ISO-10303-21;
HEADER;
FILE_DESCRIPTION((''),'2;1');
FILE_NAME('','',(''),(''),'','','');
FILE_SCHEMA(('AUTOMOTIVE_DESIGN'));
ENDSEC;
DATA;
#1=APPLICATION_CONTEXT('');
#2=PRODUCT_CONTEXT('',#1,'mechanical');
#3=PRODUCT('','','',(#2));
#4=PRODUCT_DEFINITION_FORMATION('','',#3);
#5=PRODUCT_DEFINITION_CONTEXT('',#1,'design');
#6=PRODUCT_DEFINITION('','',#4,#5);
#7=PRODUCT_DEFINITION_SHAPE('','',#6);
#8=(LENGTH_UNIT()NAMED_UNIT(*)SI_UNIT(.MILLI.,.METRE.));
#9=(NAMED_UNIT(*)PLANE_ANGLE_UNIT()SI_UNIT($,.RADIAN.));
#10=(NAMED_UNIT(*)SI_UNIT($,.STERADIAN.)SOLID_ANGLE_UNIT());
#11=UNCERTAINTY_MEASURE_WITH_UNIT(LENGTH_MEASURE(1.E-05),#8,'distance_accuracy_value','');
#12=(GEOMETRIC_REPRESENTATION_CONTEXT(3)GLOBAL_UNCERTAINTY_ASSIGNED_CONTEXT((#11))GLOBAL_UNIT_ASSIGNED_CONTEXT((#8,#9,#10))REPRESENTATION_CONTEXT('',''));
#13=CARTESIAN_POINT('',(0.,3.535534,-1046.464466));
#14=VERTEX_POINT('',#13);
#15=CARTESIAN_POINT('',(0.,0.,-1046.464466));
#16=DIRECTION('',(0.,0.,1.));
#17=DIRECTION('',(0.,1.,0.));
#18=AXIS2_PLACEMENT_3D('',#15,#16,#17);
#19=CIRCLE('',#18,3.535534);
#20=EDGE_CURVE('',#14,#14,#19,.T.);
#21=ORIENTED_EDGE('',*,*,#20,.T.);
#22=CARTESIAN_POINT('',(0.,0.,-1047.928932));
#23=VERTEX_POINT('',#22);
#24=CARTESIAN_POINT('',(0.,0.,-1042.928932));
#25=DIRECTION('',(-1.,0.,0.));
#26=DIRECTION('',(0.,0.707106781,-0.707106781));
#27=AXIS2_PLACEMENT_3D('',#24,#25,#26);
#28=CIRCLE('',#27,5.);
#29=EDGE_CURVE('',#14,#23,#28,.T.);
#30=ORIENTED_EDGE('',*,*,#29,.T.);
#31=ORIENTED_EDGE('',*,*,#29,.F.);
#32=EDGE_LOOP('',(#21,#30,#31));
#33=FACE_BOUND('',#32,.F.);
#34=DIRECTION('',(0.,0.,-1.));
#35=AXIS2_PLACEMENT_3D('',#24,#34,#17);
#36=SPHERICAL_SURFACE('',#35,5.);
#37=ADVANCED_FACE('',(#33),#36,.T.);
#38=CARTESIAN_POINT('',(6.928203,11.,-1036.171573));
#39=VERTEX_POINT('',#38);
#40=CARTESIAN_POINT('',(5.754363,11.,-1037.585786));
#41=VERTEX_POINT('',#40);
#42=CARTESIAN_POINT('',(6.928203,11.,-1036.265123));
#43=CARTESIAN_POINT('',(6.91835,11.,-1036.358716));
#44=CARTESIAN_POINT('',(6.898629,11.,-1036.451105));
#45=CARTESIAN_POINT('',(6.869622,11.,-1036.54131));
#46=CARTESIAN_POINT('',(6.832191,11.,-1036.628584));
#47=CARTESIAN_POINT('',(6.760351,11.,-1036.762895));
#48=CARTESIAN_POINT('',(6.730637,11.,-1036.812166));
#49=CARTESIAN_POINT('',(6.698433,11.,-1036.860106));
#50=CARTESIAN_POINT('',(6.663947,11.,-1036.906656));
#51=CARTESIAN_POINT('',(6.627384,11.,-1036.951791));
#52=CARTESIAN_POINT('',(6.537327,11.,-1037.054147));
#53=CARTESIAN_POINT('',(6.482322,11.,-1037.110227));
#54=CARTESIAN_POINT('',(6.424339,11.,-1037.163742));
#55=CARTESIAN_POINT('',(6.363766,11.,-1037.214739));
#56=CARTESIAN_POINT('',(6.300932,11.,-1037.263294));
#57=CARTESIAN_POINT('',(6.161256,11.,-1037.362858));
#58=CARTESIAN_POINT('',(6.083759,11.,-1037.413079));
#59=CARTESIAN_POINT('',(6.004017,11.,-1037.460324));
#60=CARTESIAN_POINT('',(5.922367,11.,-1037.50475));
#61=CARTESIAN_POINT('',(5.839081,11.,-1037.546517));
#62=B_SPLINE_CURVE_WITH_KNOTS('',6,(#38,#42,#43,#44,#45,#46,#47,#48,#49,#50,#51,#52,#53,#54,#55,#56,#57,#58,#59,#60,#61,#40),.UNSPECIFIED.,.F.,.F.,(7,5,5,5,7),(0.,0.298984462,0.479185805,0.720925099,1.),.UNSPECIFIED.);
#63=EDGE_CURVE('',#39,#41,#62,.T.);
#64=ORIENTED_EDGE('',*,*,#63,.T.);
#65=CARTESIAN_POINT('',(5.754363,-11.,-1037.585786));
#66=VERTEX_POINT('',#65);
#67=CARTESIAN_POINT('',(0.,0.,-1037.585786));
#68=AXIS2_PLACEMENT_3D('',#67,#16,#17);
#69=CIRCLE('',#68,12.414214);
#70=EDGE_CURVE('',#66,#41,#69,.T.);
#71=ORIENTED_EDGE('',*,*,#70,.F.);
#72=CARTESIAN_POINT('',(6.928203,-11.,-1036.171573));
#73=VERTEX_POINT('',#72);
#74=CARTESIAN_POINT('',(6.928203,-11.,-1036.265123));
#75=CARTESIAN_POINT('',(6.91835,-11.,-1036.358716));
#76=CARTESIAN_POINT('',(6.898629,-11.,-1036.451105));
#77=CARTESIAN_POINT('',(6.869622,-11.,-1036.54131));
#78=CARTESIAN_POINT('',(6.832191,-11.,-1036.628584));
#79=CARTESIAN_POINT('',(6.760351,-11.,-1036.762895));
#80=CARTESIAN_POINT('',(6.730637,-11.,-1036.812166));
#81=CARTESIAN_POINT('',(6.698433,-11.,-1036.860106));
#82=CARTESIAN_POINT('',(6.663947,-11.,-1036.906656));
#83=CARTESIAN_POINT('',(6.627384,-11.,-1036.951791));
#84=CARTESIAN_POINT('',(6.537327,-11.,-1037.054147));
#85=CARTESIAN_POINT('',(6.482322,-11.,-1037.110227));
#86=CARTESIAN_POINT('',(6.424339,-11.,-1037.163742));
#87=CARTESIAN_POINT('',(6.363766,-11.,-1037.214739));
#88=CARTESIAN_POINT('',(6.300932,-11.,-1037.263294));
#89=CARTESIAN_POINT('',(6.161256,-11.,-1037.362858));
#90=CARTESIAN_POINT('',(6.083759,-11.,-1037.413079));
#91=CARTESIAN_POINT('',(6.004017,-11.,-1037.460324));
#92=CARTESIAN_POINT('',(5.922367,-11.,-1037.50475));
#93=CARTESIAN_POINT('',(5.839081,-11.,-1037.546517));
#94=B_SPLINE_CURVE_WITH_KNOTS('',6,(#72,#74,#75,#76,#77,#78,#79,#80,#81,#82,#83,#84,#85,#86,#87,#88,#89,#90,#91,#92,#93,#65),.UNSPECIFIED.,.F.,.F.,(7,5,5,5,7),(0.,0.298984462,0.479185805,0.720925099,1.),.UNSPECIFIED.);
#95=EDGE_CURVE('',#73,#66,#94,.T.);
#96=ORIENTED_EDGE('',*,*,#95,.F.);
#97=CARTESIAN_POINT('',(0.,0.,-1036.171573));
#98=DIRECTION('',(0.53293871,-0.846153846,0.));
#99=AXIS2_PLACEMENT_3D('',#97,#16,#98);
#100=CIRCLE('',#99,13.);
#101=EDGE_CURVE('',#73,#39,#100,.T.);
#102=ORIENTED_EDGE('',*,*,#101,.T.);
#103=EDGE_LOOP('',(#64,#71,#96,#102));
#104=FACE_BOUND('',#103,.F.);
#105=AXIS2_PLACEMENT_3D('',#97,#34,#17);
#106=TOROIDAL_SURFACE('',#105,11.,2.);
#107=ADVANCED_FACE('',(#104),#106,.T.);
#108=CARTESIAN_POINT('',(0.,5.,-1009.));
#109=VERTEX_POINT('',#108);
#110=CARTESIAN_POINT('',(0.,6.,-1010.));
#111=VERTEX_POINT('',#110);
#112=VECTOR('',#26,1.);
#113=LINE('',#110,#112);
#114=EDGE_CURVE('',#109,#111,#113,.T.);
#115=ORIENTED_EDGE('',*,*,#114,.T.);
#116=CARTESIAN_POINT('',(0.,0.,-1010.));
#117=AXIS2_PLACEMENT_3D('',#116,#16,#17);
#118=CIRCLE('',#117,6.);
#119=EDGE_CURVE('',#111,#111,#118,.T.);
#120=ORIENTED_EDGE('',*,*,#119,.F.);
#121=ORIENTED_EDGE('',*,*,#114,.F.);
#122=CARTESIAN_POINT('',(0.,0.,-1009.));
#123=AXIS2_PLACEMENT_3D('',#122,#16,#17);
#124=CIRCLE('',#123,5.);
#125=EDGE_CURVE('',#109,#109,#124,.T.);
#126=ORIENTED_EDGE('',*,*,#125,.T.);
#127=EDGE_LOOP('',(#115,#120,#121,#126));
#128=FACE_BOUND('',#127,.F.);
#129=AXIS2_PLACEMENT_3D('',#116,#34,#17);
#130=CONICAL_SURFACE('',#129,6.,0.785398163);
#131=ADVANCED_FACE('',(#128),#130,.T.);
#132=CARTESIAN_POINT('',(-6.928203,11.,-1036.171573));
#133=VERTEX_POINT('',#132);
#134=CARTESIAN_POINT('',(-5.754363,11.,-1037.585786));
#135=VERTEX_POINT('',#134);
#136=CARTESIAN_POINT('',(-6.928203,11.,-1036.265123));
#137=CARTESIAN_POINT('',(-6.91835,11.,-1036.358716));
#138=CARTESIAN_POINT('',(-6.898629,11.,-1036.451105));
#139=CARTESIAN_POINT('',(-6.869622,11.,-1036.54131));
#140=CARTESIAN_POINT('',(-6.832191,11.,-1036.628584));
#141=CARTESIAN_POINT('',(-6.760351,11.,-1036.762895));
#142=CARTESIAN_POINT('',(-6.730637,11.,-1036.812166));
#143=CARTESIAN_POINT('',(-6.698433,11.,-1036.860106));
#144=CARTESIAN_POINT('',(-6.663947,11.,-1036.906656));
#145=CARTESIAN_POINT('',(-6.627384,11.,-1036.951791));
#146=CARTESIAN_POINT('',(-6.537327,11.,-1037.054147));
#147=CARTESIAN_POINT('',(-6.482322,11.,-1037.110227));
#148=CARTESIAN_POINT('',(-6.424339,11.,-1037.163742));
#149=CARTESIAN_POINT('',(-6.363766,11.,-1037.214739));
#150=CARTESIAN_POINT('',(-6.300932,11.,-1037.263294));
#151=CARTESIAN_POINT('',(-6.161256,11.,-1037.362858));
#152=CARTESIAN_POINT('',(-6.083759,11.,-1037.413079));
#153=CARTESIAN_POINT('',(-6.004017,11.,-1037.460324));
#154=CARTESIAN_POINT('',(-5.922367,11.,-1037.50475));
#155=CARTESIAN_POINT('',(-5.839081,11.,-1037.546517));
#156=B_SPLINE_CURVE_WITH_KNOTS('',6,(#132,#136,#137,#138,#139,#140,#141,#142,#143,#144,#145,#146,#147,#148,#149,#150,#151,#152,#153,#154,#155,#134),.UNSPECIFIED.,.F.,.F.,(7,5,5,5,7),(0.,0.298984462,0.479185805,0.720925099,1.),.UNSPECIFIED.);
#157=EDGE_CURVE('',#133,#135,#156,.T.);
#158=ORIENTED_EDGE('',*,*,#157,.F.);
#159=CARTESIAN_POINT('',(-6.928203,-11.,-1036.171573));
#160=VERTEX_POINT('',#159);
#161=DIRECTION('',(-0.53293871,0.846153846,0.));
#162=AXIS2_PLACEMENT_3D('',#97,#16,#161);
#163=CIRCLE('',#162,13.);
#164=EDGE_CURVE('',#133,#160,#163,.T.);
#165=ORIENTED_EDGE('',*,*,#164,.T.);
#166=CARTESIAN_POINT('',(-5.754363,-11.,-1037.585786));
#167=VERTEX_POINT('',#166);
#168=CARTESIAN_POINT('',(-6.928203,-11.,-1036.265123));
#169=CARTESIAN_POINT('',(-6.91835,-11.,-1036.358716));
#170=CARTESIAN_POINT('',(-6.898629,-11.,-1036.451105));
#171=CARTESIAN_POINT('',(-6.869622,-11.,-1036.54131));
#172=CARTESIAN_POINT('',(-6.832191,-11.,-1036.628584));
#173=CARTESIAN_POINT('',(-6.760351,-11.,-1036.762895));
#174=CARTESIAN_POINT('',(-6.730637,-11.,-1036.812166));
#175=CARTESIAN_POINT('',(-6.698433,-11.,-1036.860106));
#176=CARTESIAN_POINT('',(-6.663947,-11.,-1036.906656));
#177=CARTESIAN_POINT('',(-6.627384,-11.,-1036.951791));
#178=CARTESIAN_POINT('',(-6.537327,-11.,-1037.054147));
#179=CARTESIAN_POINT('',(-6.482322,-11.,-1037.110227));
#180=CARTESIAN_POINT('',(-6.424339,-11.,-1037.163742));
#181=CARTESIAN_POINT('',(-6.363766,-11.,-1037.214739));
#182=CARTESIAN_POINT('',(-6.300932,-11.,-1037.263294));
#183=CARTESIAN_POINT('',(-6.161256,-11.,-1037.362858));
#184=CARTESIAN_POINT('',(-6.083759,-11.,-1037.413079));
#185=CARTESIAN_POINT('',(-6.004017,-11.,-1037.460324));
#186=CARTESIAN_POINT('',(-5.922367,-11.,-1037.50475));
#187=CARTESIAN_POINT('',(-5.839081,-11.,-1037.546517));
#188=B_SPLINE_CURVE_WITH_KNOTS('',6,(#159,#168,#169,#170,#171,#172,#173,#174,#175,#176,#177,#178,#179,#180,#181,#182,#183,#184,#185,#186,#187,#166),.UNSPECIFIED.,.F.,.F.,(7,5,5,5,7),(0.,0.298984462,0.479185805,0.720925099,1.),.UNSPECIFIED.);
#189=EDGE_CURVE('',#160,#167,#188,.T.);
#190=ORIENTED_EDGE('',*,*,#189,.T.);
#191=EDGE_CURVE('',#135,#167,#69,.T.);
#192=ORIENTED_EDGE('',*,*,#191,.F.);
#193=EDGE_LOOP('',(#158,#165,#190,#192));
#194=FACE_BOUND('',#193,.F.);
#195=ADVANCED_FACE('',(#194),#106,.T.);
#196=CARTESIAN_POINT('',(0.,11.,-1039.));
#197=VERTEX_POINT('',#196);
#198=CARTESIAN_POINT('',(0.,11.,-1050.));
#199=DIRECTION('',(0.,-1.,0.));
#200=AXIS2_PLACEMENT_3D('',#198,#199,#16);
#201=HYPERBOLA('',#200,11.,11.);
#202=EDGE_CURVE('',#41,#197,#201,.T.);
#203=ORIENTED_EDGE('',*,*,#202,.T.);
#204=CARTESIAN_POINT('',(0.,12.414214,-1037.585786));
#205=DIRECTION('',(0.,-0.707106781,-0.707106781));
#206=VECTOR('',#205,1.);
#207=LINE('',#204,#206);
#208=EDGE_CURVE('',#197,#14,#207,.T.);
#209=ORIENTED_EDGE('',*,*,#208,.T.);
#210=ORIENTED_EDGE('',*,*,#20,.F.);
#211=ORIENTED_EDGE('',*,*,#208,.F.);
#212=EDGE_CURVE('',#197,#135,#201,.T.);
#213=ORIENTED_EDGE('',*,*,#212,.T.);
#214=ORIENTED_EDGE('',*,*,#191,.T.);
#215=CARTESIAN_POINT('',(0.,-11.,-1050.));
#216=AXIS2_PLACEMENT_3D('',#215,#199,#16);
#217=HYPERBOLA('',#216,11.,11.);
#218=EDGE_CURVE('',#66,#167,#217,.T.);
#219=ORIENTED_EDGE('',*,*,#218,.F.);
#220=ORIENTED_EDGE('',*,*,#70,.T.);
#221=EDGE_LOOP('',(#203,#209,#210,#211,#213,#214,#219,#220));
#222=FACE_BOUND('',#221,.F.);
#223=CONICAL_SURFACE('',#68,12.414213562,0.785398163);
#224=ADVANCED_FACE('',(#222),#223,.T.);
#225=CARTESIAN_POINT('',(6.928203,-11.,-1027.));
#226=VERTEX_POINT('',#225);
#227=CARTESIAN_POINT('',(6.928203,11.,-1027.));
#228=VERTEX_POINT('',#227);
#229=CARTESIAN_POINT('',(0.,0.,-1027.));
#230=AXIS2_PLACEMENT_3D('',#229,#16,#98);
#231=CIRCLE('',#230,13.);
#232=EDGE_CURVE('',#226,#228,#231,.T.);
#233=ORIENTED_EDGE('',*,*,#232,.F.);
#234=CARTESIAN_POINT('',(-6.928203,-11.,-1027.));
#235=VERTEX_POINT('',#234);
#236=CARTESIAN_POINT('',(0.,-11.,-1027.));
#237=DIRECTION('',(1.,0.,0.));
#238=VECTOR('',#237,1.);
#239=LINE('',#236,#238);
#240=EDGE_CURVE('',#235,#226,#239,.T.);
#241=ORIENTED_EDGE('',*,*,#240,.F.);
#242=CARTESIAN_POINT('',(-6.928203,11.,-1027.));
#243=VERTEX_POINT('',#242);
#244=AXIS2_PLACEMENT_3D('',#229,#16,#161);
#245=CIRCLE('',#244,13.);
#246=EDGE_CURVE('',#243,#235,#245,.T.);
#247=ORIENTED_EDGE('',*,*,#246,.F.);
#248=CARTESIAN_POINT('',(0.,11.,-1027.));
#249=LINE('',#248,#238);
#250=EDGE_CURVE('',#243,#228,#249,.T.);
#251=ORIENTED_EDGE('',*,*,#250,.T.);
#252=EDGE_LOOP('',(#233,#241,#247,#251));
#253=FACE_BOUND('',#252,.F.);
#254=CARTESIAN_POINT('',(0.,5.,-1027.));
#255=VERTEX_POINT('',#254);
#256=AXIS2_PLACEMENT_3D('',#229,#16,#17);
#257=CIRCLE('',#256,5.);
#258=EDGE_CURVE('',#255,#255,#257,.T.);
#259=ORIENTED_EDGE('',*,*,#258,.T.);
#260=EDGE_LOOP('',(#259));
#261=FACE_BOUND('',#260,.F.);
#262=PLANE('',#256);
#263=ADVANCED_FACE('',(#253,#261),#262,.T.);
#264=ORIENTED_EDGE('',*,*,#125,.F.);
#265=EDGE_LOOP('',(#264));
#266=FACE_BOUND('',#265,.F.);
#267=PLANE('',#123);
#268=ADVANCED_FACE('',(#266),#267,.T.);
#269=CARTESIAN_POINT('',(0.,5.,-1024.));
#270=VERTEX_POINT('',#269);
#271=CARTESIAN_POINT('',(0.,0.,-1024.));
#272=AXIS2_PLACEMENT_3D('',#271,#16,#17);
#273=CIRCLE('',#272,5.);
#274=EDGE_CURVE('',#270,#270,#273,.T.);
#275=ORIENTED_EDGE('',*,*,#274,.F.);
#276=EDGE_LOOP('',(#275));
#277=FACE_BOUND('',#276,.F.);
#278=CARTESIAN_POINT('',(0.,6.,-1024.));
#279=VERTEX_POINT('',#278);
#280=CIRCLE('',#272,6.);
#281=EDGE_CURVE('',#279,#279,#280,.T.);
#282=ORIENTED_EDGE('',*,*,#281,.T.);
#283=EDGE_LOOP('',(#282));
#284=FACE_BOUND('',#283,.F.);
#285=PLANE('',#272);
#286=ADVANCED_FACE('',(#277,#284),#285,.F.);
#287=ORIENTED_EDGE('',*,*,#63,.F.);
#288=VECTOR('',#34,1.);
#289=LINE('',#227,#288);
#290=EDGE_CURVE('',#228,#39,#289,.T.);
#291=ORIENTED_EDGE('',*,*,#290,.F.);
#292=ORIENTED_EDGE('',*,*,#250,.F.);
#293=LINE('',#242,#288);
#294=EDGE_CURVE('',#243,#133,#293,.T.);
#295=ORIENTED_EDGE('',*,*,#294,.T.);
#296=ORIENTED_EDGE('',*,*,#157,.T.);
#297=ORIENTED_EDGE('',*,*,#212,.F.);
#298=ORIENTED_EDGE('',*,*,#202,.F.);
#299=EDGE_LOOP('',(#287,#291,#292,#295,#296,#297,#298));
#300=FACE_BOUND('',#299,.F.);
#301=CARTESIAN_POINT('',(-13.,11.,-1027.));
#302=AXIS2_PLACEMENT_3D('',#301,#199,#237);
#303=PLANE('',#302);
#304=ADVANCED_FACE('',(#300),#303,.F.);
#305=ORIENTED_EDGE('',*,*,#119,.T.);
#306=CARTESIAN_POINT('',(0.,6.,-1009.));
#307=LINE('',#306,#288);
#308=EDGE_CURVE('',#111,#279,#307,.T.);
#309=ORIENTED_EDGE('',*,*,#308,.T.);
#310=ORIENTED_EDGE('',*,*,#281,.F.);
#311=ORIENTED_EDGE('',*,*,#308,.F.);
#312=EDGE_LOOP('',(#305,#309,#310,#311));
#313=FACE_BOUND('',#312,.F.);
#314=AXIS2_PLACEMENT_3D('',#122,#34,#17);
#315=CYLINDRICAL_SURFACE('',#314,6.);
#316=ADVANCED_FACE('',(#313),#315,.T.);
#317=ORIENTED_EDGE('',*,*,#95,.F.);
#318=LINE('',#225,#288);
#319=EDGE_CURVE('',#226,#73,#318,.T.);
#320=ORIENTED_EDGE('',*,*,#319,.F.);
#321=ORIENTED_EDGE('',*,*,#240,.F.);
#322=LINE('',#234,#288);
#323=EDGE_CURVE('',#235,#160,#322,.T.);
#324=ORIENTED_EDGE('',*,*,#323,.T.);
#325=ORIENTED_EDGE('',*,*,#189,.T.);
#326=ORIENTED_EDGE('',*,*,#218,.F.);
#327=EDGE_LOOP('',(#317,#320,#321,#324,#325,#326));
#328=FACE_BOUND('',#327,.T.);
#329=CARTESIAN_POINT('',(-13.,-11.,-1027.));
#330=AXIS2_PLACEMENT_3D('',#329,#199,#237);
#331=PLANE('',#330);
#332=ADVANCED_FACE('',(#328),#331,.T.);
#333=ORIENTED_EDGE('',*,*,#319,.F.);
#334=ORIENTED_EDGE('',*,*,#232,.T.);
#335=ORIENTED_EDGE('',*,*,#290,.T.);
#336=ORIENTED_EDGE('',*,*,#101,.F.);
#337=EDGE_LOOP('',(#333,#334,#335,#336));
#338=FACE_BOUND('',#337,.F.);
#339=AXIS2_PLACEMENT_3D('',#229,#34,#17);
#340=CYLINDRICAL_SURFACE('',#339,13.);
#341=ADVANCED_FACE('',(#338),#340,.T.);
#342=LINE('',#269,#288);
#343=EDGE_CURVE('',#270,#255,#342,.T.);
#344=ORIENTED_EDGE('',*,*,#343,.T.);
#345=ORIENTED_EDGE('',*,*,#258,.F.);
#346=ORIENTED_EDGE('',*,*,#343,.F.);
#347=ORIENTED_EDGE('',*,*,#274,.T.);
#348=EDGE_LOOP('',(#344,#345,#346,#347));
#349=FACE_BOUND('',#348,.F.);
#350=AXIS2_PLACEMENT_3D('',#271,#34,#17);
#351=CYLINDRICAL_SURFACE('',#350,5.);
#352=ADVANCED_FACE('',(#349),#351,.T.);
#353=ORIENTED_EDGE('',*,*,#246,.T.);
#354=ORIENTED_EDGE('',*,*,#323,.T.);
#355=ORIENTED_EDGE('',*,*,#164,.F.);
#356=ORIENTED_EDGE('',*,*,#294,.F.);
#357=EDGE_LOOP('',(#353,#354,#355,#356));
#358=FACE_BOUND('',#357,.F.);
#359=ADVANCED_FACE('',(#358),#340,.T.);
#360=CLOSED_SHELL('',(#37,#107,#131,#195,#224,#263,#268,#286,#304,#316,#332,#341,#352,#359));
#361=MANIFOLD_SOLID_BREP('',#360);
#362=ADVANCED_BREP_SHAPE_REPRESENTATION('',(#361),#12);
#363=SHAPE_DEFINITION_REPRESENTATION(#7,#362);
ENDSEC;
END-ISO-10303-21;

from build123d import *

# Parameters (mm, degrees)
SKETCH2_W               = 46
SKETCH2_H               = 42
SKETCH2_W_2             = 26
SKETCH2_H_2             = 22
CUT_EXTRUDE_THIN1_DEPTH = 21.928932188
CHAMFER1_SIZE           = 1


with BuildPart() as part:
    # Sketch1 → Revolve1 (revolve)
    with BuildSketch(Plane(origin=(0, 0, 0), x_dir=(0, 0, -1), z_dir=(1, 0, 0))):
        with BuildLine():
            Line((1009, 0), (1009, 6))
            Line((1009, 6), (1024, 6))
            Line((1024, 6), (1024, 5))
            Line((1024, 5), (1027, 5))
            Line((1027, 5), (1027, 13))
            Line((1027, 13), (1036.171572875, 13))
            ThreePointArc((1036.171572875, 13), (1036.93693974, 12.847759065), (1037.585786438, 12.414213562))
            Line((1037.585786438, 12.414213562), (1046.464466094, 3.535533906))
            ThreePointArc((1046.464466094, 3.535533906), (1047.548329851, 1.913417162), (1047.928932188, 0))
            Line((1047.928932188, 0), (1009, 0))
        make_face()
    revolve(axis=Axis((0, 0, -1178.108206327), (0, 0, 1)))

    # Sketch2 → Cut-Extrude-Thin1 (cut, through all)
    with BuildSketch(Plane.XY.offset(-1027)):
        Rectangle(SKETCH2_W, SKETCH2_H)
        Rectangle(SKETCH2_W_2, SKETCH2_H_2, mode=Mode.SUBTRACT)
    extrude(amount=-CUT_EXTRUDE_THIN1_DEPTH, mode=Mode.SUBTRACT)

    # Chamfer1
    chamfer1_edges = [part.edges().sort_by_distance(p)[0] for p in [
        (0, -6, -1009),
    ]]
    chamfer(chamfer1_edges, length=CHAMFER1_SIZE)


solid = part.part
